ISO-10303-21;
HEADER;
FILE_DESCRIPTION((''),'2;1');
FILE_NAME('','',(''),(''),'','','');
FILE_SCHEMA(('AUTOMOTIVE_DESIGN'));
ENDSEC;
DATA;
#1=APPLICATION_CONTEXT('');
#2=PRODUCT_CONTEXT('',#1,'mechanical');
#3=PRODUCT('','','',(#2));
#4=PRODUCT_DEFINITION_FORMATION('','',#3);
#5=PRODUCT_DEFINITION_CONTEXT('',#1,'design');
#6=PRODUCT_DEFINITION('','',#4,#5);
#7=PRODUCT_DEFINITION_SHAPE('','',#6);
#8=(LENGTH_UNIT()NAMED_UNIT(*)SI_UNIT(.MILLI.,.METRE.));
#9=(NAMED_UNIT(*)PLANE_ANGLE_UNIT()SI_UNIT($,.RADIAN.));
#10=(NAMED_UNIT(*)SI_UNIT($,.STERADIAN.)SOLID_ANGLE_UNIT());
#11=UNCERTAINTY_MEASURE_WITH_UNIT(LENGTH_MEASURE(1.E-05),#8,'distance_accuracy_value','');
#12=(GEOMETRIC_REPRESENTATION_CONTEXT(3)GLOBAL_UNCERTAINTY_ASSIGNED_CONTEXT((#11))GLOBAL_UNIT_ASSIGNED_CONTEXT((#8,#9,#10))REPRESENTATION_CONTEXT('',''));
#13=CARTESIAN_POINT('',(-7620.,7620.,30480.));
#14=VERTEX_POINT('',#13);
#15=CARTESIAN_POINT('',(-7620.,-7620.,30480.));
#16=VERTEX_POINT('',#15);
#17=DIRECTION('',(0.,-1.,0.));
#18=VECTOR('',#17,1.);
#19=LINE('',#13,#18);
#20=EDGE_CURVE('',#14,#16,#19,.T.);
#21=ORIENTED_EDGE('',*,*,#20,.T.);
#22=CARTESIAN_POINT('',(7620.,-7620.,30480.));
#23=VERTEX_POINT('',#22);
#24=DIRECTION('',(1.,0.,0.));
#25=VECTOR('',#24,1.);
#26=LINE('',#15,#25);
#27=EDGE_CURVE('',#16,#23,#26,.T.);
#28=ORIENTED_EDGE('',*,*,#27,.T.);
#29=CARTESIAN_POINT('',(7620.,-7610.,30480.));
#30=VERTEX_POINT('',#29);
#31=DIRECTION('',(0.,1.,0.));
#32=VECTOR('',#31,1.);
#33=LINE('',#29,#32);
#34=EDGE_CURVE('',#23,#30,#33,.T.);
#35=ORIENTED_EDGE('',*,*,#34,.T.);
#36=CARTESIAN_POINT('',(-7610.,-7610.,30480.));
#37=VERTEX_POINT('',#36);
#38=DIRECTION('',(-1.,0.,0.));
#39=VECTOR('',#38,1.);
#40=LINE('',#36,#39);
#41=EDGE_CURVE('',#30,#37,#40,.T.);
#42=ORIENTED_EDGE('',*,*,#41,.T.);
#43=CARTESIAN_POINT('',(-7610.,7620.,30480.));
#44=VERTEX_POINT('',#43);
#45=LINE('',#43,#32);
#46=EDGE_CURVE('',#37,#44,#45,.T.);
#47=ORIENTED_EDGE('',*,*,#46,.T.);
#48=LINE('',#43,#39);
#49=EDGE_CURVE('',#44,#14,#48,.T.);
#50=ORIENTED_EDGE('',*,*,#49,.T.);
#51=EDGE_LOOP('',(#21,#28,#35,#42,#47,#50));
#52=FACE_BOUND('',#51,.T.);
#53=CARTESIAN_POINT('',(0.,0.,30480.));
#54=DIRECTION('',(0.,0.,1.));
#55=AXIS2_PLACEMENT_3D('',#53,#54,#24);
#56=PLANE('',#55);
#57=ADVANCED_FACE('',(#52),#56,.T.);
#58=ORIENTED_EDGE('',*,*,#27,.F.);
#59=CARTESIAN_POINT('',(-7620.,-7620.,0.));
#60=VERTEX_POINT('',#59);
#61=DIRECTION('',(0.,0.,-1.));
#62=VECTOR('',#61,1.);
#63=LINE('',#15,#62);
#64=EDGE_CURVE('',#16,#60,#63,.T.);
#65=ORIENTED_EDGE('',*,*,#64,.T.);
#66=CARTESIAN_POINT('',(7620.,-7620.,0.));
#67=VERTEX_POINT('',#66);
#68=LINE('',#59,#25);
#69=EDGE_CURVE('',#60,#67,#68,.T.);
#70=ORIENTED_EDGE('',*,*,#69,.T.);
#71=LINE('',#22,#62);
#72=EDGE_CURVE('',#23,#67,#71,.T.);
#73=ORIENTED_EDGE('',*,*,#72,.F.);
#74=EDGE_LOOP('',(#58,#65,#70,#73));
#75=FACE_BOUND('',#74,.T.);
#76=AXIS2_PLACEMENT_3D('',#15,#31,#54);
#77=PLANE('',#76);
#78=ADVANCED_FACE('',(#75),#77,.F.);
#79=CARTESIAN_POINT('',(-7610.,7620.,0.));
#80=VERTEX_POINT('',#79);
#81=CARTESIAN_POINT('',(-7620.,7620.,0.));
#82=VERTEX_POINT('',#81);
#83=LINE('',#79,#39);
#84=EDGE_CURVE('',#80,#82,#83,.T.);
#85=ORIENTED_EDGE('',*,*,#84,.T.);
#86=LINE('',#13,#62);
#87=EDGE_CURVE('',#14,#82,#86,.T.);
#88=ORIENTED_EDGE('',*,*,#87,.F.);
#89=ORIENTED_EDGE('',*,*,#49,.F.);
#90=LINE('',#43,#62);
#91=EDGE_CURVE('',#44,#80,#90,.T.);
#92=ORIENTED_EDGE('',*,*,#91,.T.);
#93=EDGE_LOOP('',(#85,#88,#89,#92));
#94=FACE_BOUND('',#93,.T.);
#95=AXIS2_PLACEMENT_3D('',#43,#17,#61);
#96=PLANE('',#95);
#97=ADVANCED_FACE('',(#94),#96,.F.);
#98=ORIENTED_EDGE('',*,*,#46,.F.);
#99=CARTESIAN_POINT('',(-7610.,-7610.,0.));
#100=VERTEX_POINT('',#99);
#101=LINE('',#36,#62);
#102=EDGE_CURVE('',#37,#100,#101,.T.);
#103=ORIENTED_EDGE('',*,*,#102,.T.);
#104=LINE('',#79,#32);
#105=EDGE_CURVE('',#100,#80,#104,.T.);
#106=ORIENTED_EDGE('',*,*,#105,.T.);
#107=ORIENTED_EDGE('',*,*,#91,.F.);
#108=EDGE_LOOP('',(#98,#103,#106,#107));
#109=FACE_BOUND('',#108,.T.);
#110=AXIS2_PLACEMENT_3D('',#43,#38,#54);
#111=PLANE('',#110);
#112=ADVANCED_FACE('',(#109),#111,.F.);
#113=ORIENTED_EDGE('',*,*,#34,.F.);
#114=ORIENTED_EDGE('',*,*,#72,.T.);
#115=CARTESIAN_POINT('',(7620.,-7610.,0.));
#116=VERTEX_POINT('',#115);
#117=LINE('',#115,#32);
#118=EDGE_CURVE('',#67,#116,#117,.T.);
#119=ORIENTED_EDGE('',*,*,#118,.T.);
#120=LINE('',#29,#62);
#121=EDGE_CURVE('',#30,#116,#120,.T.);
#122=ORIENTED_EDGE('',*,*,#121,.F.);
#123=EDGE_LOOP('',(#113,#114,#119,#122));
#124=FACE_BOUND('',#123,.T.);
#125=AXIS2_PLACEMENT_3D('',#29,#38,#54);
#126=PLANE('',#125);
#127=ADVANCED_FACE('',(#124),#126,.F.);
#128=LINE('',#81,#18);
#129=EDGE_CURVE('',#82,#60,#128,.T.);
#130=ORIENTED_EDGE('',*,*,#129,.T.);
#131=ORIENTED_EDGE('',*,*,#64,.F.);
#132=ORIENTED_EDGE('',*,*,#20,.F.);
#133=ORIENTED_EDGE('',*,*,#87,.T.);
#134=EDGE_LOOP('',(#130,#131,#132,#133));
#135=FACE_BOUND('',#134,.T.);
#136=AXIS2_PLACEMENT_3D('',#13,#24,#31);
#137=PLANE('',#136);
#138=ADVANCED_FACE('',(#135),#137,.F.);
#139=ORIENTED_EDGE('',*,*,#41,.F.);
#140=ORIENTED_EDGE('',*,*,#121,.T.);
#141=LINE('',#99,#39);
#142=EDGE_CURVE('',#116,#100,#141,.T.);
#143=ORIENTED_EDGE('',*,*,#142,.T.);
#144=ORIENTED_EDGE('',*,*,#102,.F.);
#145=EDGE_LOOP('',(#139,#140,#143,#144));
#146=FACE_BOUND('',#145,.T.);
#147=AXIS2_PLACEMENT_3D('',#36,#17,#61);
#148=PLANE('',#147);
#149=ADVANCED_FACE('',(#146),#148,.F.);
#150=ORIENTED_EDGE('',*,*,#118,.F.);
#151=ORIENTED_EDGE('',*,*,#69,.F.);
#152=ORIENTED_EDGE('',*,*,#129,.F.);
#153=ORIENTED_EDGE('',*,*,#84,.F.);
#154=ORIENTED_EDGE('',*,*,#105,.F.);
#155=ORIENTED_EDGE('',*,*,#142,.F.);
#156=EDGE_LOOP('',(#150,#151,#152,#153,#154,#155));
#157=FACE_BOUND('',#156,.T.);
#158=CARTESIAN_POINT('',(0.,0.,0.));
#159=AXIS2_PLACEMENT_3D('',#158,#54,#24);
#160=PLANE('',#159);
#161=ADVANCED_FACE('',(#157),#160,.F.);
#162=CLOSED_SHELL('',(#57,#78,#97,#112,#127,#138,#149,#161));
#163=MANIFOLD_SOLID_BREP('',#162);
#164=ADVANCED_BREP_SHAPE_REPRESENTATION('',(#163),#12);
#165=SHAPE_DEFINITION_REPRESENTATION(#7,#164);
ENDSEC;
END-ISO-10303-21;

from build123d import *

# Parameters (mm, degrees)
BOSS_EXTRUDE1_DEPTH = 30480


with BuildPart() as part:
    # Sketch1 → Boss-Extrude1 (new body)
    with BuildSketch(Plane.XY):
        Polygon((-7610, 7620), (-7610, -7610), (7620, -7610), (7620, -7620), (-7620, -7620), (-7620, 7620), align=None)
    extrude(amount=BOSS_EXTRUDE1_DEPTH)


solid = part.part
